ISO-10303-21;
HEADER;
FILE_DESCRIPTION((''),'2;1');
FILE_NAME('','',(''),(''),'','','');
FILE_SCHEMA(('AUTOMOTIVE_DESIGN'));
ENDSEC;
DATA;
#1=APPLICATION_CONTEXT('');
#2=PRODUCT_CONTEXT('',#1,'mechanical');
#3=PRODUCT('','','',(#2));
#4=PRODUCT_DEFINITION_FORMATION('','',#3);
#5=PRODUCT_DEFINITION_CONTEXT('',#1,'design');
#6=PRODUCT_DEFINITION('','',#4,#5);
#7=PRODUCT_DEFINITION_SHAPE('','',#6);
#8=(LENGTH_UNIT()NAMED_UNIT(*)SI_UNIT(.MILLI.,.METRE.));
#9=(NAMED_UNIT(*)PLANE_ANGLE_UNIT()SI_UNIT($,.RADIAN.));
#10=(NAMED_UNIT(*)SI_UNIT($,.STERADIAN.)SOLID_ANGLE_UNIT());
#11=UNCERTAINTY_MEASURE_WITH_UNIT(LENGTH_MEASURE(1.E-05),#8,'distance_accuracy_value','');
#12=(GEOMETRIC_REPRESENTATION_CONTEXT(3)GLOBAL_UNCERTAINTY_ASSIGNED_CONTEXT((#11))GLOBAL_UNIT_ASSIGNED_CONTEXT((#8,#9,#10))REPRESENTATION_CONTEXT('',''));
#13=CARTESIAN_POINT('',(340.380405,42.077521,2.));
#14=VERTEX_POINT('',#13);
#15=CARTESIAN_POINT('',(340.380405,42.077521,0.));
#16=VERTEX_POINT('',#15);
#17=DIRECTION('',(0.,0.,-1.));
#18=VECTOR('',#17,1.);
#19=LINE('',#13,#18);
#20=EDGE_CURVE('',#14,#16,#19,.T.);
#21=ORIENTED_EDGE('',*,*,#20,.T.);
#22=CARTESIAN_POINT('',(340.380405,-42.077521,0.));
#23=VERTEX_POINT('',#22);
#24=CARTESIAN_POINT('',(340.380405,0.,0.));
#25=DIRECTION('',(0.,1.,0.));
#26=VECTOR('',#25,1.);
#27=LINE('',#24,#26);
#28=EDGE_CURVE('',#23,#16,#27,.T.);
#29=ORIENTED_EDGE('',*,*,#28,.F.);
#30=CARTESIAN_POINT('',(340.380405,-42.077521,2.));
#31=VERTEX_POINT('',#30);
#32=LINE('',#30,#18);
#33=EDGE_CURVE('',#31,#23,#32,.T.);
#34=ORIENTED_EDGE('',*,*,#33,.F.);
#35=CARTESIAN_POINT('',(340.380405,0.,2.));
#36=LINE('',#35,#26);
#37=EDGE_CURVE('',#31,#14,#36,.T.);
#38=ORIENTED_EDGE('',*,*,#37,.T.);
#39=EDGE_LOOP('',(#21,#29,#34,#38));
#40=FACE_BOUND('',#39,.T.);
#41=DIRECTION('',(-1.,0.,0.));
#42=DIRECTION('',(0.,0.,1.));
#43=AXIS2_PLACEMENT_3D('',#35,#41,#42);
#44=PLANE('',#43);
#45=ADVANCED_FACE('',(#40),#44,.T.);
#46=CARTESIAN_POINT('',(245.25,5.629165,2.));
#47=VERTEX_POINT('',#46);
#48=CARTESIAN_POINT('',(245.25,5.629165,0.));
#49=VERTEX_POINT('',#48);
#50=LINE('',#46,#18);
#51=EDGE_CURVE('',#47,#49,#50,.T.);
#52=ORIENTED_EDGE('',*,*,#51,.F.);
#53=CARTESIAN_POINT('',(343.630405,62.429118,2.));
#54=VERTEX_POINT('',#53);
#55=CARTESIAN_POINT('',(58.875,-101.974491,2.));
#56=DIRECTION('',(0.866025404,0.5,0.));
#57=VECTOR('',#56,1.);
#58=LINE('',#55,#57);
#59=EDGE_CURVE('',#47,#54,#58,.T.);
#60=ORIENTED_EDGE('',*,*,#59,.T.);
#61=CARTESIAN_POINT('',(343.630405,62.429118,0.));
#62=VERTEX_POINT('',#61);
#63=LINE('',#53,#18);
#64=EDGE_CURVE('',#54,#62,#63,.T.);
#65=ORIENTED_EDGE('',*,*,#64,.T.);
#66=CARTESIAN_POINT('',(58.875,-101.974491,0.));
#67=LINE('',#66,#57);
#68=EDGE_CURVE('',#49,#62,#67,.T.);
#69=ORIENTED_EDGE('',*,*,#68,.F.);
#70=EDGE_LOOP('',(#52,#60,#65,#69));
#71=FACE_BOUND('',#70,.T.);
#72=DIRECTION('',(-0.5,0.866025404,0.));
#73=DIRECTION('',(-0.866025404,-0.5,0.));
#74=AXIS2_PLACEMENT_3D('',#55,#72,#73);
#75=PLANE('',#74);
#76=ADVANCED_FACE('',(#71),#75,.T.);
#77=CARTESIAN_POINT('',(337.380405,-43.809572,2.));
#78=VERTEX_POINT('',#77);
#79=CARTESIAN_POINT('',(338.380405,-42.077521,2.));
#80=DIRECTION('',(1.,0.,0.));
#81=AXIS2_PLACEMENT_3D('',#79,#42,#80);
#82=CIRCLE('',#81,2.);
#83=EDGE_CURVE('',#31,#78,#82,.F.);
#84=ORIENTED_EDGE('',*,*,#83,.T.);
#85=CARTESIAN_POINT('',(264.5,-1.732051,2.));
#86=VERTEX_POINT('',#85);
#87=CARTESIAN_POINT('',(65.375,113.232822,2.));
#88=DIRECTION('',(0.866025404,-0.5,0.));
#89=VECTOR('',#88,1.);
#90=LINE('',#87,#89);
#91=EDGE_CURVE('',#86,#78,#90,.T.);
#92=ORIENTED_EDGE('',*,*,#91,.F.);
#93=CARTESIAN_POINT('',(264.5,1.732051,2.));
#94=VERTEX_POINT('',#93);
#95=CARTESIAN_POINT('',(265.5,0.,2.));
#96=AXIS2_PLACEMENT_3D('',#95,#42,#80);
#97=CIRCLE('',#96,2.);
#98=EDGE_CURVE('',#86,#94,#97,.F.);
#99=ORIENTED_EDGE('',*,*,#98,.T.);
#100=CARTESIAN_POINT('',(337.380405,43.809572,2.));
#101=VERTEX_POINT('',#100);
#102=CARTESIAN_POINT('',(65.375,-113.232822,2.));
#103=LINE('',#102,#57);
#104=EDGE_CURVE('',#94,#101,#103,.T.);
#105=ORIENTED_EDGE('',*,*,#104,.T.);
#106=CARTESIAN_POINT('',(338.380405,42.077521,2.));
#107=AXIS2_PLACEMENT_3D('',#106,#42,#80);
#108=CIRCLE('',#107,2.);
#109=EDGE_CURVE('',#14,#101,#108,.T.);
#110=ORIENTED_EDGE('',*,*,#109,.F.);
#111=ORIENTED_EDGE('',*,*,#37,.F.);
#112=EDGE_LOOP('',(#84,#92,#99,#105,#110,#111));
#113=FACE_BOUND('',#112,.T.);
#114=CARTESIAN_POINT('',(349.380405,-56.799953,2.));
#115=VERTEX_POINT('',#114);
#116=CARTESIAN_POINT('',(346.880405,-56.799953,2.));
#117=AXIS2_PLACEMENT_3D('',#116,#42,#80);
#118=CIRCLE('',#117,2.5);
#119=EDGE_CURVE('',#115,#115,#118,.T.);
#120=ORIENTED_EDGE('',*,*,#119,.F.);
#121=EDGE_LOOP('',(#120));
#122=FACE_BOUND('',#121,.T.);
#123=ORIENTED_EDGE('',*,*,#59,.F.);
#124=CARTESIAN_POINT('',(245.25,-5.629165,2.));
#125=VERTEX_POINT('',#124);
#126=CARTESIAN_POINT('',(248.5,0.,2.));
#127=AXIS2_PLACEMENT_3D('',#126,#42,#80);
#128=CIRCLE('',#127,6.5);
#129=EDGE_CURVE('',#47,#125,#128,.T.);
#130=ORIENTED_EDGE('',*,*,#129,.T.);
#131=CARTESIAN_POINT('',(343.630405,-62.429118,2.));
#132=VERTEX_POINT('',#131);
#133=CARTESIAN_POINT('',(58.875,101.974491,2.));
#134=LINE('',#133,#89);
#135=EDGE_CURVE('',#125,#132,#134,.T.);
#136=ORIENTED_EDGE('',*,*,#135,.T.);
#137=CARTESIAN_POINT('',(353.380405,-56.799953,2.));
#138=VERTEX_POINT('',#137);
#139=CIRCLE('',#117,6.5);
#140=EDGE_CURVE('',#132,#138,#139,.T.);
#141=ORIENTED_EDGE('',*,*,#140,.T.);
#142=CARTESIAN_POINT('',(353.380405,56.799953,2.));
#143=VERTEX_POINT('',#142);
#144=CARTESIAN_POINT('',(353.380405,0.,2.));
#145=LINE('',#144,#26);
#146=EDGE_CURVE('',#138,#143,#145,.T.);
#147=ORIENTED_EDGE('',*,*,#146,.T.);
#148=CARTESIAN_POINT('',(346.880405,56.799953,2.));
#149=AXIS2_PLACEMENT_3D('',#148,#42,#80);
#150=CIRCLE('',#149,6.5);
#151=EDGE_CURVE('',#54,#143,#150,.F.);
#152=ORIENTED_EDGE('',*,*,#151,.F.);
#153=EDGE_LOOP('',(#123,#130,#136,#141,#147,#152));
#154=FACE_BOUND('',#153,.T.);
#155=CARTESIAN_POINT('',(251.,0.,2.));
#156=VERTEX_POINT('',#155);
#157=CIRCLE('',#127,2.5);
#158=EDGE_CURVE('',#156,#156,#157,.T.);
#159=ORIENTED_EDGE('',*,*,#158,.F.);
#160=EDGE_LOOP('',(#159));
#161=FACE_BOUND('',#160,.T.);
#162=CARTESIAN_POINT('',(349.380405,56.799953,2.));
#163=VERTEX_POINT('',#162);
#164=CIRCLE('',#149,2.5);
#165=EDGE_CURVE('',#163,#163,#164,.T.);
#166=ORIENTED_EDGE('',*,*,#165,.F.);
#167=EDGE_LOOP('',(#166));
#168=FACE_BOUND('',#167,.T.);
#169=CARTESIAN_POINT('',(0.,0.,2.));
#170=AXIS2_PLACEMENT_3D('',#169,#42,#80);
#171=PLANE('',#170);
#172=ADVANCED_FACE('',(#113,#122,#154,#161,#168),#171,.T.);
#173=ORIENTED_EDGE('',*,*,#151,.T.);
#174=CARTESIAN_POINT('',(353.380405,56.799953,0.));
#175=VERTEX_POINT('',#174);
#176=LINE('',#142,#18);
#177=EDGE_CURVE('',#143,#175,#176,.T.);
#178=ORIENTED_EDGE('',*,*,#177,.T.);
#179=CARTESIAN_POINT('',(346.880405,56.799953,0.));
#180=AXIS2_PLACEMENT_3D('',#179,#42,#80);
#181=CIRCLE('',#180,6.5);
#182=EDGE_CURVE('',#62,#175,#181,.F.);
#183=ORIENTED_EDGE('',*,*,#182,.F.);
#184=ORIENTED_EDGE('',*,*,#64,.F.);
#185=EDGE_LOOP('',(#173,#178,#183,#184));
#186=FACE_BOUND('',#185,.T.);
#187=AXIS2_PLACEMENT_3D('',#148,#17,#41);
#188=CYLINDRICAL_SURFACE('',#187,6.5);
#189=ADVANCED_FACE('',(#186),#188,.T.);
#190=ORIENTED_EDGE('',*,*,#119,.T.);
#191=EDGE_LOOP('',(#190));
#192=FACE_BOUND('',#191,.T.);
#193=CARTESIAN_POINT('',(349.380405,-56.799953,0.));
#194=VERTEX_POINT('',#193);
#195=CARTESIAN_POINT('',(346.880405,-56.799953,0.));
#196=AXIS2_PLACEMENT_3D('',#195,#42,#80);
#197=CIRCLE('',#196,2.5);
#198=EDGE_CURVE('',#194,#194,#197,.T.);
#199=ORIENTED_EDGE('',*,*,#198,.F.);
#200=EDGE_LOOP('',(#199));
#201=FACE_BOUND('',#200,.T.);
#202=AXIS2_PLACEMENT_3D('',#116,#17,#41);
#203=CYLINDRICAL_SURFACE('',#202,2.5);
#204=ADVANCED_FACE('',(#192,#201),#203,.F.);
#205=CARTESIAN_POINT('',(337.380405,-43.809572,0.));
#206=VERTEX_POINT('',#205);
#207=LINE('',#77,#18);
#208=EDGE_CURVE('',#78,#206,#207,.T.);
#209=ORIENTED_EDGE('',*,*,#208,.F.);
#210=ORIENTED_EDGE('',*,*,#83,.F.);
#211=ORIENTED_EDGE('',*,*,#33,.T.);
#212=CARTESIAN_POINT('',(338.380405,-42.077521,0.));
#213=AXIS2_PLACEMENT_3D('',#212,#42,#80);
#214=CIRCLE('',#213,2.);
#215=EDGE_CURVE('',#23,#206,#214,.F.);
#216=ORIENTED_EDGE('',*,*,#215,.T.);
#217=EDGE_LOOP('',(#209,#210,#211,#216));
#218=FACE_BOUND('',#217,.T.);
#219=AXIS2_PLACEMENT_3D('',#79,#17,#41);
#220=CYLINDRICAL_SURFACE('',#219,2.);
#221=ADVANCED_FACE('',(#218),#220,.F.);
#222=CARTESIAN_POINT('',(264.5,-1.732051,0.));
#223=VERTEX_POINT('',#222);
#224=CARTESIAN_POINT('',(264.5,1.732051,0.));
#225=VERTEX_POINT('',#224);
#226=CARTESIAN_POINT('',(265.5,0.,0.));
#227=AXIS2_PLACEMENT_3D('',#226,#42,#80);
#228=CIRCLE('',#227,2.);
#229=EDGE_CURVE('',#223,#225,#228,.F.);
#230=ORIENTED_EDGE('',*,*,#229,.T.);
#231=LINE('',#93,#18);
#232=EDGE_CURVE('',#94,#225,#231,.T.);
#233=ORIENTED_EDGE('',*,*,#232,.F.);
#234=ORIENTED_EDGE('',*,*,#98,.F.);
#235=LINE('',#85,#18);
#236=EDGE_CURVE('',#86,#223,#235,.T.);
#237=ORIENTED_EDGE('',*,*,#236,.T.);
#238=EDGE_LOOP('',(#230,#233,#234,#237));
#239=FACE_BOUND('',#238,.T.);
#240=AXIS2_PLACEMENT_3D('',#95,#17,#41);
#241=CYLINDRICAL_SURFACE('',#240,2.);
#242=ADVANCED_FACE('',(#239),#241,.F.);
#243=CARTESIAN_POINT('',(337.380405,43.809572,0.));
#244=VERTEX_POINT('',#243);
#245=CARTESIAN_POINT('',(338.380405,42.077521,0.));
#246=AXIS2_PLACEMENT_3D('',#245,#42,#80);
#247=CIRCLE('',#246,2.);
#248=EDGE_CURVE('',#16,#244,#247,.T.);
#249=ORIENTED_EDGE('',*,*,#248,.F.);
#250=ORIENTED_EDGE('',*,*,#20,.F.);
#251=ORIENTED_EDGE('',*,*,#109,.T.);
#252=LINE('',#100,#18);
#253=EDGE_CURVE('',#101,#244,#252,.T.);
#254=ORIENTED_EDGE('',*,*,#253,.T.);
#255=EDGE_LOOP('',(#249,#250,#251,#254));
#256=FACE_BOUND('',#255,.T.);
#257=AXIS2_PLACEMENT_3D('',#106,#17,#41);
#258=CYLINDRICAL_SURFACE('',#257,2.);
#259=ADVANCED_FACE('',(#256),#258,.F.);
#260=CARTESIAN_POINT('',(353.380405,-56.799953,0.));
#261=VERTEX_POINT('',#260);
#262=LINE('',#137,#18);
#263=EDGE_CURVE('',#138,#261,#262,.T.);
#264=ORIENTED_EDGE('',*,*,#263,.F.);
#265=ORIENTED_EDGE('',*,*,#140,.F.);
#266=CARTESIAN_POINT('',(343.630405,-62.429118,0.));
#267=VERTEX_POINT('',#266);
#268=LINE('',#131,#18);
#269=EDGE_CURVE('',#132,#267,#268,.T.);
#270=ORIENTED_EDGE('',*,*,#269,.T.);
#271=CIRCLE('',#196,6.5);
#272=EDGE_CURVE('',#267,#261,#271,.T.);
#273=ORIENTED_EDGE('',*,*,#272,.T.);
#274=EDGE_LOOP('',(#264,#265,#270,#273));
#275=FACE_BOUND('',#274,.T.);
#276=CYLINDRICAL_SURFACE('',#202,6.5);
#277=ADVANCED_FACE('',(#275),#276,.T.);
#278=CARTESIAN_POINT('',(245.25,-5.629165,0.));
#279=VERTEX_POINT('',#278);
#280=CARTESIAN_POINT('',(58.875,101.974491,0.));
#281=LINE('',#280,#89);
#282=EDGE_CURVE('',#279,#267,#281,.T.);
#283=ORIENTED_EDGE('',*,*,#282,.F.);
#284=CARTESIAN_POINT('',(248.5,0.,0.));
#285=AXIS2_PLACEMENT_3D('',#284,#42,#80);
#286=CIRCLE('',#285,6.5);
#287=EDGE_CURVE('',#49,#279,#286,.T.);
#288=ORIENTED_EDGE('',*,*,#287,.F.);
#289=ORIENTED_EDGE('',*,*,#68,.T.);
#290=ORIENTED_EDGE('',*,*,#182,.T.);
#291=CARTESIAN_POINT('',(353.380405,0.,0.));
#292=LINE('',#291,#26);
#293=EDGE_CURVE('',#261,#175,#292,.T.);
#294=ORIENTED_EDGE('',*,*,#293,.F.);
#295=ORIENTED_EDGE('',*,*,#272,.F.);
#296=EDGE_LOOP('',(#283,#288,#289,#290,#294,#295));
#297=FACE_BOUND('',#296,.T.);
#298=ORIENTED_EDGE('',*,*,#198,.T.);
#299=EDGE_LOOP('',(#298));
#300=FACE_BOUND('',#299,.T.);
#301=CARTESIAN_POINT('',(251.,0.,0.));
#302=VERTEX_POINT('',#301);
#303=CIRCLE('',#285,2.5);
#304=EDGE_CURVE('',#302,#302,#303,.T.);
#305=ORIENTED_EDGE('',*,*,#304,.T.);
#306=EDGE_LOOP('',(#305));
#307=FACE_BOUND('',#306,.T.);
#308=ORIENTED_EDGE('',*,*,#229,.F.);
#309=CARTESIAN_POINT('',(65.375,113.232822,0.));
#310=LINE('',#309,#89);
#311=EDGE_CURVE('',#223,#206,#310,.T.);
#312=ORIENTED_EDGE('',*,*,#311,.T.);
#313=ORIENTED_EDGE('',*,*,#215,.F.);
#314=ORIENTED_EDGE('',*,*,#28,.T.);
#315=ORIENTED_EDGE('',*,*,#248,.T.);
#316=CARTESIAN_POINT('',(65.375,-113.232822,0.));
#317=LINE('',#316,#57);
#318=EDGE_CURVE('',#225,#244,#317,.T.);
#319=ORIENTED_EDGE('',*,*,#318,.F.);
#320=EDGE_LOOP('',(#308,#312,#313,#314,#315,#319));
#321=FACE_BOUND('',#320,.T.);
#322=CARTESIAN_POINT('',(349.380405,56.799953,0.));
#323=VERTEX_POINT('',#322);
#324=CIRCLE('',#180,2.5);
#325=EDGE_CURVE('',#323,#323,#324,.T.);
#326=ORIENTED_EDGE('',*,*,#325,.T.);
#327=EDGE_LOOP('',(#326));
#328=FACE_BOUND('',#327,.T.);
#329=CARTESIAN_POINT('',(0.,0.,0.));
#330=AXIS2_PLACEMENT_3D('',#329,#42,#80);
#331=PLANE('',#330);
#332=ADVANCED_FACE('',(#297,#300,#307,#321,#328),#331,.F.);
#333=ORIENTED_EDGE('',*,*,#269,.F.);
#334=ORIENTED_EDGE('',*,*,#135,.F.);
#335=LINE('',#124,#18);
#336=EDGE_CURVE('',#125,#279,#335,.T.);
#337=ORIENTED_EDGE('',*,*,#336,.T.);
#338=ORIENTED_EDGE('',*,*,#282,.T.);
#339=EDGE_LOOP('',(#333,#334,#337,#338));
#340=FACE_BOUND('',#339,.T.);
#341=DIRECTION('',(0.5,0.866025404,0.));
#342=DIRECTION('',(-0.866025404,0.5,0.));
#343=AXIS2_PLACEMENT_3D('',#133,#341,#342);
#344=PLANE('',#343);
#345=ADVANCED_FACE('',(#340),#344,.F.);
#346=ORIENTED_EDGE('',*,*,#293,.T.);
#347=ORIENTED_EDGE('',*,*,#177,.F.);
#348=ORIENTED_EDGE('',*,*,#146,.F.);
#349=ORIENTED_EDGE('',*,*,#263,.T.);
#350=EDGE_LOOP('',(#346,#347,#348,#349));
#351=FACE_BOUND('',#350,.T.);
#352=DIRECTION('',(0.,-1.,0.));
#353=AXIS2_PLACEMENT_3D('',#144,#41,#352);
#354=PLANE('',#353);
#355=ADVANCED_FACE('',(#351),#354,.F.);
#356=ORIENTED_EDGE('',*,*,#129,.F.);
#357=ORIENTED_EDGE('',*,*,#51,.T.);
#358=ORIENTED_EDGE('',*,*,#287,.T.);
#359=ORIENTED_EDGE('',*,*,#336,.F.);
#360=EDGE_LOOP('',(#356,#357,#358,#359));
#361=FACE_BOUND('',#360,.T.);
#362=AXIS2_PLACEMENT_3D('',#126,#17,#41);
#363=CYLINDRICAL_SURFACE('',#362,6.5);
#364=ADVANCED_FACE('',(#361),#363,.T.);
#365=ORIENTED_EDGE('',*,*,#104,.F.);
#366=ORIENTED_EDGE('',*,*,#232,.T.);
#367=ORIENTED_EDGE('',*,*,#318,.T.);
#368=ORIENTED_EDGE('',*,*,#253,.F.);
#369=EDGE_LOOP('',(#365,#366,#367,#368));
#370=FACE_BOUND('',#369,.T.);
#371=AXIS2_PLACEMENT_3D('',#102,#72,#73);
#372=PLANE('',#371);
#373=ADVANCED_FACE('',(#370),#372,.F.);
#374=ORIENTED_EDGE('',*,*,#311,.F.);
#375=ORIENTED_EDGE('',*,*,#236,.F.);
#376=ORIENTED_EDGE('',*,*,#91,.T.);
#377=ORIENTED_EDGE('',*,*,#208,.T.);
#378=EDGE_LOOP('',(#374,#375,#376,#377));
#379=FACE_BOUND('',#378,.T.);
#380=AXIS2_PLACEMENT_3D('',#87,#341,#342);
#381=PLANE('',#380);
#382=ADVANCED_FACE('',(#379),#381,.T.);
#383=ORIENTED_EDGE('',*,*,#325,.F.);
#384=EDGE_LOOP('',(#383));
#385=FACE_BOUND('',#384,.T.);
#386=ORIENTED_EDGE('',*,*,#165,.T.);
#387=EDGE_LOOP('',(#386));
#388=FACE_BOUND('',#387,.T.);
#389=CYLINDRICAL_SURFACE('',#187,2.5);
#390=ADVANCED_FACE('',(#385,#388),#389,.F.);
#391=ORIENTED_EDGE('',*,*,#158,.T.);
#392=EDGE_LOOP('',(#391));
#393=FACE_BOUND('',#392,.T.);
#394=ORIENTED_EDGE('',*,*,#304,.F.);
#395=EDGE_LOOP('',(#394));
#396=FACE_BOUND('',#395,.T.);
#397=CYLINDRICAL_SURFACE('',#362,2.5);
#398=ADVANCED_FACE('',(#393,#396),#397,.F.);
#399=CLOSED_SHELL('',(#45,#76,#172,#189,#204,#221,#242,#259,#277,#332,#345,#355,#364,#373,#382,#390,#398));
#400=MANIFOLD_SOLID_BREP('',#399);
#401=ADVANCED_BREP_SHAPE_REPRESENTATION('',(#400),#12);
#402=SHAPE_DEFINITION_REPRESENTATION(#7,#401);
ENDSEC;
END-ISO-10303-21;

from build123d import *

# Parameters (mm, degrees)
SKETCH1_R           = 2.5
BOSS_EXTRUDE1_DEPTH = 2


with BuildPart() as part:
    # Sketch1 → Boss-Extrude1 (new body)
    with BuildSketch(Plane.XY):
        with BuildLine():
            Line((245.25, -5.629165125), (343.630404909, -62.429118382))
            ThreePointArc((343.630404909, -62.429118382), (350.130404909, -62.429118382), (353.380404909, -56.799953257))
            Line((353.380404909, -56.799953257), (353.380404909, 56.799953257))
            ThreePointArc((353.380404909, 56.799953257), (350.130404909, 62.429118382), (343.630404909, 62.429118382))
            Line((343.630404909, 62.429118382), (245.25, 5.629165125))
            ThreePointArc((245.25, 5.629165125), (242, 0), (245.25, -5.629165125))
        make_face()
        with Locations((248.5, 0)):
            Circle(SKETCH1_R, mode=Mode.SUBTRACT)
        with Locations((346.880404909, -56.799953257)):
            Circle(SKETCH1_R, mode=Mode.SUBTRACT)
        with Locations((346.880404909, 56.799953257)):
            Circle(SKETCH1_R, mode=Mode.SUBTRACT)
        with BuildLine():
            Line((264.5, 1.732050808), (337.380404909, 43.809572201))
            ThreePointArc((337.380404909, 43.809572201), (339.380404909, 43.809572201), (340.380404909, 42.077521393))
            Line((340.380404909, 42.077521393), (340.380404909, -42.077521393))
            ThreePointArc((340.380404909, -42.077521393), (339.380404909, -43.809572201), (337.380404909, -43.809572201))
            Line((337.380404909, -43.809572201), (264.5, -1.732050808))
            ThreePointArc((264.5, -1.732050808), (263.5, 0), (264.5, 1.732050808))
        make_face(mode=Mode.SUBTRACT)
    extrude(amount=BOSS_EXTRUDE1_DEPTH)


solid = part.part
